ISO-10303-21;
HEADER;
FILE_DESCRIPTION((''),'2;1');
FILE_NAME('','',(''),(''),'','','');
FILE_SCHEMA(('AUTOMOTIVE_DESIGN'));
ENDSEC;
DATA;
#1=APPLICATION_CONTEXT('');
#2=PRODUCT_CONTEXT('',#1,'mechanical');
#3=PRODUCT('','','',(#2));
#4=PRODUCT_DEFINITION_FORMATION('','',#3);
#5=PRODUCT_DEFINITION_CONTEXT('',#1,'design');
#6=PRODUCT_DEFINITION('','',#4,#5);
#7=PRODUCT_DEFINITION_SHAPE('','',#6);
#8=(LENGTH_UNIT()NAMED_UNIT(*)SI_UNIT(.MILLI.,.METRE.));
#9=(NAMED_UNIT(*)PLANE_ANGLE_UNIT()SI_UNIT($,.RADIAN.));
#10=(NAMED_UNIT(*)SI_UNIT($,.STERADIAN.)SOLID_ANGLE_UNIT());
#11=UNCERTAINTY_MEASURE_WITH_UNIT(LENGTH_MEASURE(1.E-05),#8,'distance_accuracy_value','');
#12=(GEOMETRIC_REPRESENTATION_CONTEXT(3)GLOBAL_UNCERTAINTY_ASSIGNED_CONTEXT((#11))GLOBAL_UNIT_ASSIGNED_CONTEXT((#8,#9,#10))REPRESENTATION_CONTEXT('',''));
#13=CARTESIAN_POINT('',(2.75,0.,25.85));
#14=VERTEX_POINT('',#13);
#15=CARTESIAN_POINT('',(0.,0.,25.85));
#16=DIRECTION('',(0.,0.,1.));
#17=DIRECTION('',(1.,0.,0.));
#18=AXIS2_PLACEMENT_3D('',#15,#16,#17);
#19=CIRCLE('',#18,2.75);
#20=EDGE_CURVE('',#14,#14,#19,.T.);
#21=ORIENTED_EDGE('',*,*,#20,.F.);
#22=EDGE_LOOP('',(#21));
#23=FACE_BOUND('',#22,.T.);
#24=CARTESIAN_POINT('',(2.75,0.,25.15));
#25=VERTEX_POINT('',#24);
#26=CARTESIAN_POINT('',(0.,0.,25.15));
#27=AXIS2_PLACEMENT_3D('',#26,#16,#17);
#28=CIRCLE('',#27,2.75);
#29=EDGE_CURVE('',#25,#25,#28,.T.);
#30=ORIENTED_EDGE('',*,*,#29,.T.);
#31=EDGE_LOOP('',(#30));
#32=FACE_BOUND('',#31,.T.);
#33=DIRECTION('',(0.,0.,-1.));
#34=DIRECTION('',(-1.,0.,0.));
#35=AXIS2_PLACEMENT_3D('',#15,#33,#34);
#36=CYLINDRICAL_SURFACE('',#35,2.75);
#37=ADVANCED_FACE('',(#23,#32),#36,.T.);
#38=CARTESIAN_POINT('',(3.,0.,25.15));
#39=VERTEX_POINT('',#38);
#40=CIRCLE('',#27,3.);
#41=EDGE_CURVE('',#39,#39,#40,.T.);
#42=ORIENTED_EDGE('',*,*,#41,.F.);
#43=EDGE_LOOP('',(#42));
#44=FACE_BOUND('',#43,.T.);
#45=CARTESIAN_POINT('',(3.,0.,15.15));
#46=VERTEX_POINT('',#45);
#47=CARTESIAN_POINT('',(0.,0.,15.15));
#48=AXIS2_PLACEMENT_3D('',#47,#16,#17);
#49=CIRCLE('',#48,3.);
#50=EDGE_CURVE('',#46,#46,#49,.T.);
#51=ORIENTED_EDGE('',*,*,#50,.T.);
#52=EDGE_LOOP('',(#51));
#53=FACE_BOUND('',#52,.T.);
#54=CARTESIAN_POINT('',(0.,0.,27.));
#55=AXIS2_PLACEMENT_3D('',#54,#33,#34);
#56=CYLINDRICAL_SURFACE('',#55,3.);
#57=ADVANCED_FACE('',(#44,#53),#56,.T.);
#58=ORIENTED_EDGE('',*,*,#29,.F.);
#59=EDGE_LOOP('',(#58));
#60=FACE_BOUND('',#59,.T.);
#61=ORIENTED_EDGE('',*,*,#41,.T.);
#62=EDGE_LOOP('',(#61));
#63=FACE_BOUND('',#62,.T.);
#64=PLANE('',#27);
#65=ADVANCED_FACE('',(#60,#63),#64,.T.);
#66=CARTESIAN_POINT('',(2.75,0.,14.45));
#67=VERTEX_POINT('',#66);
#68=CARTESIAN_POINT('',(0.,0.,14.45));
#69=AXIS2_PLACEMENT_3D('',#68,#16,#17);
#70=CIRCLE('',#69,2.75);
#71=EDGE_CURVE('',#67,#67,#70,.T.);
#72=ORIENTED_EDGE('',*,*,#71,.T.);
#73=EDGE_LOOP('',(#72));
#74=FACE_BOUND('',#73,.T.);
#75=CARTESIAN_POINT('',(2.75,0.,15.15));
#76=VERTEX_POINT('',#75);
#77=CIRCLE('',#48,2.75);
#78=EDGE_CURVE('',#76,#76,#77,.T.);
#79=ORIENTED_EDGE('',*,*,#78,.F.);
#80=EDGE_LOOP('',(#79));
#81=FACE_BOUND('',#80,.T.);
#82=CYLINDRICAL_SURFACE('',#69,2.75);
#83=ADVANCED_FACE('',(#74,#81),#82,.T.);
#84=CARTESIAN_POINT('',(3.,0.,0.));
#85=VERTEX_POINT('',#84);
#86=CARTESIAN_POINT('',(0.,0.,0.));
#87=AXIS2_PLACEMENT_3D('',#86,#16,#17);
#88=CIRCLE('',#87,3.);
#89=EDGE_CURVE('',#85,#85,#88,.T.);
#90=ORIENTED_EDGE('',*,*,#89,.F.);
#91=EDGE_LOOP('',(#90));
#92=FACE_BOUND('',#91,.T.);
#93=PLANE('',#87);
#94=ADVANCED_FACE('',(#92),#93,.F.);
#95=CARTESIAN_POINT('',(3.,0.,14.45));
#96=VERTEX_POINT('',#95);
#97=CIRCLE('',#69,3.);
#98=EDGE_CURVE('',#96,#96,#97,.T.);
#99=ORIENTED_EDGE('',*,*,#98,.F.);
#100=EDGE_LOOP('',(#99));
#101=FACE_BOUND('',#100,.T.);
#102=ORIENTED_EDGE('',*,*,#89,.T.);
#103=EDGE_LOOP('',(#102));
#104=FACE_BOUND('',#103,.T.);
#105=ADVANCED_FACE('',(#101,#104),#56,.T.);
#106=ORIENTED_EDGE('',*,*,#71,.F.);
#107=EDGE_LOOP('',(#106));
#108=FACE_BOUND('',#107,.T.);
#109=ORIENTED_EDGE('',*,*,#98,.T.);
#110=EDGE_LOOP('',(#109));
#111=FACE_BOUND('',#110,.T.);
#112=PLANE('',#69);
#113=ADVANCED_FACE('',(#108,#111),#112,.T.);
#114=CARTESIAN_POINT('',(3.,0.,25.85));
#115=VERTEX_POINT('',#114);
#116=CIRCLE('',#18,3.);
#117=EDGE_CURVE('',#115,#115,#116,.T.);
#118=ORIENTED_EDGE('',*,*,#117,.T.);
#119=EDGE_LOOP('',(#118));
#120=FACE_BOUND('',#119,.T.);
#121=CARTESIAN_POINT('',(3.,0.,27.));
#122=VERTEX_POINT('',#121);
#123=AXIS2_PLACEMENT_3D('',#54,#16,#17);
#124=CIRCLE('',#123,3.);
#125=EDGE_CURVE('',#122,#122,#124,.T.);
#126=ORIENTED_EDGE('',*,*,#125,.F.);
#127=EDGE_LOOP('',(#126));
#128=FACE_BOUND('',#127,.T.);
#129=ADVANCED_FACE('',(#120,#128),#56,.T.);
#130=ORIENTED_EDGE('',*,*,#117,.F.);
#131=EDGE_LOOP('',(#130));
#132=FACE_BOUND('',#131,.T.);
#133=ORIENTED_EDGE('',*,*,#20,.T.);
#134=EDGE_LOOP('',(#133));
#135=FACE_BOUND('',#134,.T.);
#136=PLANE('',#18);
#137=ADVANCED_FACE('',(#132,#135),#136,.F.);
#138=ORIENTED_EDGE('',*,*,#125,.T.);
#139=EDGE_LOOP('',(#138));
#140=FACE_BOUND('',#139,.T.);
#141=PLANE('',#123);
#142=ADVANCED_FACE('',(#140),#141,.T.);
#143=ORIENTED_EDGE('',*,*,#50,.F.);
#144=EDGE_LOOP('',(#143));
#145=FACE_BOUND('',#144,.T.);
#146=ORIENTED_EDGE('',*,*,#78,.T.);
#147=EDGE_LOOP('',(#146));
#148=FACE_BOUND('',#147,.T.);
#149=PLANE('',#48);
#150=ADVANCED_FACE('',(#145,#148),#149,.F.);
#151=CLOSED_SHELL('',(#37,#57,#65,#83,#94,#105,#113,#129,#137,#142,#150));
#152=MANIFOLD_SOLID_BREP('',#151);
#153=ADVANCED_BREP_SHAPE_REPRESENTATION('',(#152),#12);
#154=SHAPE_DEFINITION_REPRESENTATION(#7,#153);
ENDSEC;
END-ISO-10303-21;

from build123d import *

# Parameters (mm, degrees)
SKETCH_1_R               = 3
EXTRUDE_1_DEPTH          = 27
CUT_EXTRUDE_1_DEPTH      = 0.35
CUT_EXTRUDE_1_DEPTH_BACK = 0.35
SKETCH_2_R               = 3
SKETCH_2_R_2             = 2.75
CUT_EXTRUDE_START        = -0.7
SKETCH_3_R               = 3
SKETCH_3_R_2             = 2.75
CUT_EXTRUDE_2_DEPTH      = 0.7


with BuildPart() as part:
    # 스케치1 → 보스-돌출1 (new body)
    with BuildSketch(Plane.XY):
        Circle(SKETCH_1_R)
    extrude(amount=EXTRUDE_1_DEPTH)

    # 스케치2 → 컷-돌출1 (cut, two sides: drawn at the far end of the back side and taken through both)
    with BuildSketch(Plane.XY.offset(25.5).offset(-CUT_EXTRUDE_1_DEPTH_BACK)):
        Circle(SKETCH_2_R)
        Circle(SKETCH_2_R_2, mode=Mode.SUBTRACT)
    extrude(amount=CUT_EXTRUDE_1_DEPTH + CUT_EXTRUDE_1_DEPTH_BACK, mode=Mode.SUBTRACT)

    # 스케치3 → 컷-돌출2 (cut)
    with BuildSketch(Plane.XY.offset(15.15).offset(CUT_EXTRUDE_START)):
        Circle(SKETCH_3_R)
        Circle(SKETCH_3_R_2, mode=Mode.SUBTRACT)
    extrude(amount=CUT_EXTRUDE_2_DEPTH, mode=Mode.SUBTRACT)


solid = part.part
